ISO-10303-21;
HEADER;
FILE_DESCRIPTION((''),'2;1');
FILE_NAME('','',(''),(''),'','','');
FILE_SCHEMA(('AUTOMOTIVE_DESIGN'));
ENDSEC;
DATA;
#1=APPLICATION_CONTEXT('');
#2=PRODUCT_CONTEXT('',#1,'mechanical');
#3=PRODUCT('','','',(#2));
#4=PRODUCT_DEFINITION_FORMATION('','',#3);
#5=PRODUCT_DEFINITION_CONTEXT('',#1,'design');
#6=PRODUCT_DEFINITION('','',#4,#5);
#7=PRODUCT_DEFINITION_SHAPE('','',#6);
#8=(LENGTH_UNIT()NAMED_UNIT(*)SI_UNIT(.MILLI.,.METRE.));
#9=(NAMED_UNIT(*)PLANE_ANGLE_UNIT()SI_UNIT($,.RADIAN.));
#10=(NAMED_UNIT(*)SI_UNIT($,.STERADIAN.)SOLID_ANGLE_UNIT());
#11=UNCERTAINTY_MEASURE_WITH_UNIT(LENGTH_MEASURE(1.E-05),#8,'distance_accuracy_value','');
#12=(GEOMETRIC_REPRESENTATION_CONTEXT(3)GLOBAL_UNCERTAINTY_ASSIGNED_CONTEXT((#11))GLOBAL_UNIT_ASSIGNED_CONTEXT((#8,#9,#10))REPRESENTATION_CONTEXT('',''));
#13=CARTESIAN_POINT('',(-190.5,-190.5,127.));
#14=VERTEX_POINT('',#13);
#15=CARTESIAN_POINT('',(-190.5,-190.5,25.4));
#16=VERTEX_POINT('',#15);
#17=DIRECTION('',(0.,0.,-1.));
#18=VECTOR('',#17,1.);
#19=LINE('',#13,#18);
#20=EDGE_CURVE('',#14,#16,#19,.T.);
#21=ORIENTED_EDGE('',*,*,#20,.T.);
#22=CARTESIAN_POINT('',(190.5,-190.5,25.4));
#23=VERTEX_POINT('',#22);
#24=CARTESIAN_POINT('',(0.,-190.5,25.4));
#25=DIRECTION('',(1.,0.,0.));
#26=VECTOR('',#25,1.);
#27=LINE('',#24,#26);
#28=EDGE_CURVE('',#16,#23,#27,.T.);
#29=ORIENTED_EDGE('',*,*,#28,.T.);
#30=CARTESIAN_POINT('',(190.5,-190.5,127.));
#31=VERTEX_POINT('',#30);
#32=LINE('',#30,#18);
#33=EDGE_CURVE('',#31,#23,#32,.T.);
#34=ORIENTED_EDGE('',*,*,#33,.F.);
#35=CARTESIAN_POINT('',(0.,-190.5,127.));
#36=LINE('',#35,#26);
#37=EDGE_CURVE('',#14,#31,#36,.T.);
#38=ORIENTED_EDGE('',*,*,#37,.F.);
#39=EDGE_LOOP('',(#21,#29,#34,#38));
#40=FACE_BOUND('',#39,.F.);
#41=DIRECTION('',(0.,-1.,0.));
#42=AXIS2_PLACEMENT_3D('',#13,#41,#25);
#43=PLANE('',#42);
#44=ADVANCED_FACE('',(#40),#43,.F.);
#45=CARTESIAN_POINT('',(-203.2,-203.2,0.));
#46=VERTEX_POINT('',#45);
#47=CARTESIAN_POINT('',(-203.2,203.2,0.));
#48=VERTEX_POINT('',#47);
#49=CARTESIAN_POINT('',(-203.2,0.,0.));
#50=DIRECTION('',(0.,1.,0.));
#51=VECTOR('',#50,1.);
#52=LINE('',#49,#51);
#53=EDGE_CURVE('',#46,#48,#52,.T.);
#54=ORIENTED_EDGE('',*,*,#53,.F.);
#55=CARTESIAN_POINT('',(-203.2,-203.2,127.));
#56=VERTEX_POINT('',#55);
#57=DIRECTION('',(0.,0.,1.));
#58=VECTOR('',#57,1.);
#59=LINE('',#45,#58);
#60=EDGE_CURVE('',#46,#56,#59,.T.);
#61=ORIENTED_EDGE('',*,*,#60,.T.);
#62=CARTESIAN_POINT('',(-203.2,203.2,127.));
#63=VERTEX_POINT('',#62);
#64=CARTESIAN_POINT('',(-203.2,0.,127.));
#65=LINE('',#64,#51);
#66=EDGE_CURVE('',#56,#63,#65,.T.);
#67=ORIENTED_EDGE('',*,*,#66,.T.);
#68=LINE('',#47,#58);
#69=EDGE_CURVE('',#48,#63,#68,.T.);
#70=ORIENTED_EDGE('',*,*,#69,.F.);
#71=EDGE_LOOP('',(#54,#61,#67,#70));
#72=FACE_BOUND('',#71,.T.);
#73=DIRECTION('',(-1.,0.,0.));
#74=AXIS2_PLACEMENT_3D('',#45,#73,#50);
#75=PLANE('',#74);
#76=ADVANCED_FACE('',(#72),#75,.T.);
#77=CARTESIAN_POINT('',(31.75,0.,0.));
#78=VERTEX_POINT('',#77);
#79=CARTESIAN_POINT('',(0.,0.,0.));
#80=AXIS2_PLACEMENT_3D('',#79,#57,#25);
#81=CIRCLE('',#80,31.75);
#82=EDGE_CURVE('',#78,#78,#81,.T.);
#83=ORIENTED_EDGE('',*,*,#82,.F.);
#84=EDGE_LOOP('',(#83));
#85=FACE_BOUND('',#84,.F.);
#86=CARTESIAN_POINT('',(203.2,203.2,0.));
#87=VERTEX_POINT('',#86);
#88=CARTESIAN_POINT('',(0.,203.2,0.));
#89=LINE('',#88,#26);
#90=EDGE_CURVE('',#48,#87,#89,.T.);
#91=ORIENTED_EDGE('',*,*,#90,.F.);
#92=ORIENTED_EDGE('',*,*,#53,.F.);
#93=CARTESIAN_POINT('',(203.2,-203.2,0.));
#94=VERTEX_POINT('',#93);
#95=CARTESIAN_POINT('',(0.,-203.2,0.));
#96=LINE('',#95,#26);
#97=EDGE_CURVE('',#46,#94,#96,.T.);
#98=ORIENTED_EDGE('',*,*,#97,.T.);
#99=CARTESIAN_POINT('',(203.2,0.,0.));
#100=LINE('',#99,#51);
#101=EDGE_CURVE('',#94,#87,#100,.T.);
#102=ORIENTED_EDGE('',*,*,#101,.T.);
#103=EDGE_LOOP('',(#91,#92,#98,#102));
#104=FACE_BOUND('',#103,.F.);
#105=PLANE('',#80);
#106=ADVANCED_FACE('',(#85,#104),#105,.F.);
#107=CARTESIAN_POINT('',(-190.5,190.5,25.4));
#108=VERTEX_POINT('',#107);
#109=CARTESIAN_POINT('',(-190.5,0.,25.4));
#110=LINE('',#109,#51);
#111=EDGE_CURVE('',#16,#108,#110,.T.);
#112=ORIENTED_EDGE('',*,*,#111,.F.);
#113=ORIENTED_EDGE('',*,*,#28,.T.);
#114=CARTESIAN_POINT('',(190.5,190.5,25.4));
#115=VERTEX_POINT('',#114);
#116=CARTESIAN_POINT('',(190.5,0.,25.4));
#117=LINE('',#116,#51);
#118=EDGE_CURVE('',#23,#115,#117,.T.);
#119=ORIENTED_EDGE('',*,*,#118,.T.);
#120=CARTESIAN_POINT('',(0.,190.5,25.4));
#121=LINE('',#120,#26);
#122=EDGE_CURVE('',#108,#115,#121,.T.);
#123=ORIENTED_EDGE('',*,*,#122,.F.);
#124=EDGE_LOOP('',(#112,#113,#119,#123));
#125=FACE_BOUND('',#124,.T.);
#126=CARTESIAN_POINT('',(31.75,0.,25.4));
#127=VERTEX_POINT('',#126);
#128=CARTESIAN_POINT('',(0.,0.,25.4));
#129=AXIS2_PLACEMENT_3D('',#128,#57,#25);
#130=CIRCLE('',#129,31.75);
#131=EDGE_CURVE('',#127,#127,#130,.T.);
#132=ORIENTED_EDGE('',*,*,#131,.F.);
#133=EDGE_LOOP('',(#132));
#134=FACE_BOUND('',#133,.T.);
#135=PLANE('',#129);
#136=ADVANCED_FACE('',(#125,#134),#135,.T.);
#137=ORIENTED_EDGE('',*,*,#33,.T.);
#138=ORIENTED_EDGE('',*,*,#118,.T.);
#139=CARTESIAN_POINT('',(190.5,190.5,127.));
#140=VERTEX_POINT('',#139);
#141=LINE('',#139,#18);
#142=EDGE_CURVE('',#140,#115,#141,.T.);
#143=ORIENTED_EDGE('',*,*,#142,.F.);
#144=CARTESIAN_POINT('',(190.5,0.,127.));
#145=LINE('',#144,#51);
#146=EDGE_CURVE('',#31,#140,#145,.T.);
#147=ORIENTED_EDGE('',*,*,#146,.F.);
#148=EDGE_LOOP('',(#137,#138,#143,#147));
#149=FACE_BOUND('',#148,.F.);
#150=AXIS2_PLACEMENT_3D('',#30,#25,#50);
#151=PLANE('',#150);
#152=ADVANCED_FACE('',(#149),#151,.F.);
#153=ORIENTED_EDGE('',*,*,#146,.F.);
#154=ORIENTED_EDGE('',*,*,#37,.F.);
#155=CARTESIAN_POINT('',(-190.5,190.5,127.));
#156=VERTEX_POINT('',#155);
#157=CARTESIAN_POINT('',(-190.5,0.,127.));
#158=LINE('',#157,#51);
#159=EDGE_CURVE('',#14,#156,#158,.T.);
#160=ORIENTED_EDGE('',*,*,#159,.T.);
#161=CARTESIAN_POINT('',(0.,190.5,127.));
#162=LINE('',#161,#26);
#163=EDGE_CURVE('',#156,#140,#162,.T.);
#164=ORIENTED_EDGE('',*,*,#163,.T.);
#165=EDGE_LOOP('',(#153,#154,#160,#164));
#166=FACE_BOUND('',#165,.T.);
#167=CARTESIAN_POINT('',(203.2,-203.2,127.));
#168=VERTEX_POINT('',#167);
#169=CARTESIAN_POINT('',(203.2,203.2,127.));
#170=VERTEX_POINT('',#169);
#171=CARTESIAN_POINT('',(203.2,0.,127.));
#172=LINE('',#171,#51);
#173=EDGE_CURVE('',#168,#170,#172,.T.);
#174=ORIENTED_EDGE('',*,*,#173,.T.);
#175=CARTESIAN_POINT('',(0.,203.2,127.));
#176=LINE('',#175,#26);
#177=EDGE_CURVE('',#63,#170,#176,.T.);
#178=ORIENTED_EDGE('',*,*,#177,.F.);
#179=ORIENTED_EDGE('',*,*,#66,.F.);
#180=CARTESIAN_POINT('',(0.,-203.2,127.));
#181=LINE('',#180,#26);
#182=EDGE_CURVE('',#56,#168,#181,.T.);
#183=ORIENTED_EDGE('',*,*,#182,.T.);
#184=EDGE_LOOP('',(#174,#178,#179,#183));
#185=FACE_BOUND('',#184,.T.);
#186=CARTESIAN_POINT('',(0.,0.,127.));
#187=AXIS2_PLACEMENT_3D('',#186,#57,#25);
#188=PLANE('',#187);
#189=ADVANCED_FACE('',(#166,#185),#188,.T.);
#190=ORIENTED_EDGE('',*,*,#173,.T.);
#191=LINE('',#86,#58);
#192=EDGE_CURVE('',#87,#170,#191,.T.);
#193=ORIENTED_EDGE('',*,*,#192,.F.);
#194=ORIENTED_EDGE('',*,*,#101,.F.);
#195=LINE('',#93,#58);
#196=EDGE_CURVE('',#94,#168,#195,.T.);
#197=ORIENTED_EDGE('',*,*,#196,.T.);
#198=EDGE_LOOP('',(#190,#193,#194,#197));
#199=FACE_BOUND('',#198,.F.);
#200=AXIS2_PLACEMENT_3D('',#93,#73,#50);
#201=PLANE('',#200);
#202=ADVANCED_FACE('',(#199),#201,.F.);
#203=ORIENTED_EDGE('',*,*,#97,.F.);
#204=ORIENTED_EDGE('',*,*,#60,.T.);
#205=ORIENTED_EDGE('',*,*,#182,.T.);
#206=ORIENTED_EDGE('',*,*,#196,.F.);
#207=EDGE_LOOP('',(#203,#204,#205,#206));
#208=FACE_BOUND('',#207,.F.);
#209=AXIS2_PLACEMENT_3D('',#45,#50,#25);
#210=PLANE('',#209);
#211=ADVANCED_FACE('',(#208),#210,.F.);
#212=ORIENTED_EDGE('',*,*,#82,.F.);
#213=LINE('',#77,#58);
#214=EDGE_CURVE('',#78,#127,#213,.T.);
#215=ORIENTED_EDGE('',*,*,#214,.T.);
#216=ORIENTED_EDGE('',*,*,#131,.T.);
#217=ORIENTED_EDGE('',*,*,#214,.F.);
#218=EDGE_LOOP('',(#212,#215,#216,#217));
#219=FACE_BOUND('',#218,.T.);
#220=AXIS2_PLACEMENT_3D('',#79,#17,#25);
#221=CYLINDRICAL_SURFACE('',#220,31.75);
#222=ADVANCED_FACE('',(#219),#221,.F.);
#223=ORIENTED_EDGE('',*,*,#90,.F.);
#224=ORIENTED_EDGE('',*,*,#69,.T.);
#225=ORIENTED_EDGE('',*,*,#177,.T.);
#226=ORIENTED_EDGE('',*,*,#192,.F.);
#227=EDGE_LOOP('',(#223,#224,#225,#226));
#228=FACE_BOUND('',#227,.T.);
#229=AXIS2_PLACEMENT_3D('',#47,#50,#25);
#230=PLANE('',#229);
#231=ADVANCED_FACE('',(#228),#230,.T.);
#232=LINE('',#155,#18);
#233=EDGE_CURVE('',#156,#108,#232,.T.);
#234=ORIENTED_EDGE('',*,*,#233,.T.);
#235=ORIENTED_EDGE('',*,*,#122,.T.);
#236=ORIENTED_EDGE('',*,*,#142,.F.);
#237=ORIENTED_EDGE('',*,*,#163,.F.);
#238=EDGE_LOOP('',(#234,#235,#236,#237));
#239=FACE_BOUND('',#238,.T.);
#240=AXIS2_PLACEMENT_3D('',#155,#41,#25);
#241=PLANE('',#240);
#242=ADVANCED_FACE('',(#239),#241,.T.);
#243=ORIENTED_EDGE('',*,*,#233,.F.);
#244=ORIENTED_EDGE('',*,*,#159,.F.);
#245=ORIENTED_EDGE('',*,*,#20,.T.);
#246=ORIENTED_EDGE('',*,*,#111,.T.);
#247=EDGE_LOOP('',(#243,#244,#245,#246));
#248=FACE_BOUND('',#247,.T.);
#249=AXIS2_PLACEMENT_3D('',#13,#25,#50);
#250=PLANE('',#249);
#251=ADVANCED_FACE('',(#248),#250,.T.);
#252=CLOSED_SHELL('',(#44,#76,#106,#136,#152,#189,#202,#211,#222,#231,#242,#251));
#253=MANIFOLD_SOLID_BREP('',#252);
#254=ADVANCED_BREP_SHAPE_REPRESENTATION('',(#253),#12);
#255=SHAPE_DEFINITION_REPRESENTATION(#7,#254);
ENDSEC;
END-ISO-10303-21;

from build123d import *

# Parameters (mm, degrees)
F0_W     = 406.4
F0_H     = 406.4
F0_R     = 31.75
F1_DEPTH = 127
F2_W     = 381
F2_H     = 381
F2_R     = 31.75
F3_DEPTH = 101.6


with BuildPart() as f1:
    # F0 (on Top) → F1 (new body)
    with BuildSketch(Plane.XY):
        Rectangle(F0_W, F0_H)
        Circle(F0_R, mode=Mode.SUBTRACT)
    extrude(amount=F1_DEPTH)

    # F2 (on face) → F3 (cut)
    with BuildSketch(Plane.XY.offset(127)):
        Rectangle(F2_W, F2_H)
        Circle(F2_R, mode=Mode.SUBTRACT)
    extrude(amount=-F3_DEPTH, mode=Mode.SUBTRACT)


solid = f1.part
